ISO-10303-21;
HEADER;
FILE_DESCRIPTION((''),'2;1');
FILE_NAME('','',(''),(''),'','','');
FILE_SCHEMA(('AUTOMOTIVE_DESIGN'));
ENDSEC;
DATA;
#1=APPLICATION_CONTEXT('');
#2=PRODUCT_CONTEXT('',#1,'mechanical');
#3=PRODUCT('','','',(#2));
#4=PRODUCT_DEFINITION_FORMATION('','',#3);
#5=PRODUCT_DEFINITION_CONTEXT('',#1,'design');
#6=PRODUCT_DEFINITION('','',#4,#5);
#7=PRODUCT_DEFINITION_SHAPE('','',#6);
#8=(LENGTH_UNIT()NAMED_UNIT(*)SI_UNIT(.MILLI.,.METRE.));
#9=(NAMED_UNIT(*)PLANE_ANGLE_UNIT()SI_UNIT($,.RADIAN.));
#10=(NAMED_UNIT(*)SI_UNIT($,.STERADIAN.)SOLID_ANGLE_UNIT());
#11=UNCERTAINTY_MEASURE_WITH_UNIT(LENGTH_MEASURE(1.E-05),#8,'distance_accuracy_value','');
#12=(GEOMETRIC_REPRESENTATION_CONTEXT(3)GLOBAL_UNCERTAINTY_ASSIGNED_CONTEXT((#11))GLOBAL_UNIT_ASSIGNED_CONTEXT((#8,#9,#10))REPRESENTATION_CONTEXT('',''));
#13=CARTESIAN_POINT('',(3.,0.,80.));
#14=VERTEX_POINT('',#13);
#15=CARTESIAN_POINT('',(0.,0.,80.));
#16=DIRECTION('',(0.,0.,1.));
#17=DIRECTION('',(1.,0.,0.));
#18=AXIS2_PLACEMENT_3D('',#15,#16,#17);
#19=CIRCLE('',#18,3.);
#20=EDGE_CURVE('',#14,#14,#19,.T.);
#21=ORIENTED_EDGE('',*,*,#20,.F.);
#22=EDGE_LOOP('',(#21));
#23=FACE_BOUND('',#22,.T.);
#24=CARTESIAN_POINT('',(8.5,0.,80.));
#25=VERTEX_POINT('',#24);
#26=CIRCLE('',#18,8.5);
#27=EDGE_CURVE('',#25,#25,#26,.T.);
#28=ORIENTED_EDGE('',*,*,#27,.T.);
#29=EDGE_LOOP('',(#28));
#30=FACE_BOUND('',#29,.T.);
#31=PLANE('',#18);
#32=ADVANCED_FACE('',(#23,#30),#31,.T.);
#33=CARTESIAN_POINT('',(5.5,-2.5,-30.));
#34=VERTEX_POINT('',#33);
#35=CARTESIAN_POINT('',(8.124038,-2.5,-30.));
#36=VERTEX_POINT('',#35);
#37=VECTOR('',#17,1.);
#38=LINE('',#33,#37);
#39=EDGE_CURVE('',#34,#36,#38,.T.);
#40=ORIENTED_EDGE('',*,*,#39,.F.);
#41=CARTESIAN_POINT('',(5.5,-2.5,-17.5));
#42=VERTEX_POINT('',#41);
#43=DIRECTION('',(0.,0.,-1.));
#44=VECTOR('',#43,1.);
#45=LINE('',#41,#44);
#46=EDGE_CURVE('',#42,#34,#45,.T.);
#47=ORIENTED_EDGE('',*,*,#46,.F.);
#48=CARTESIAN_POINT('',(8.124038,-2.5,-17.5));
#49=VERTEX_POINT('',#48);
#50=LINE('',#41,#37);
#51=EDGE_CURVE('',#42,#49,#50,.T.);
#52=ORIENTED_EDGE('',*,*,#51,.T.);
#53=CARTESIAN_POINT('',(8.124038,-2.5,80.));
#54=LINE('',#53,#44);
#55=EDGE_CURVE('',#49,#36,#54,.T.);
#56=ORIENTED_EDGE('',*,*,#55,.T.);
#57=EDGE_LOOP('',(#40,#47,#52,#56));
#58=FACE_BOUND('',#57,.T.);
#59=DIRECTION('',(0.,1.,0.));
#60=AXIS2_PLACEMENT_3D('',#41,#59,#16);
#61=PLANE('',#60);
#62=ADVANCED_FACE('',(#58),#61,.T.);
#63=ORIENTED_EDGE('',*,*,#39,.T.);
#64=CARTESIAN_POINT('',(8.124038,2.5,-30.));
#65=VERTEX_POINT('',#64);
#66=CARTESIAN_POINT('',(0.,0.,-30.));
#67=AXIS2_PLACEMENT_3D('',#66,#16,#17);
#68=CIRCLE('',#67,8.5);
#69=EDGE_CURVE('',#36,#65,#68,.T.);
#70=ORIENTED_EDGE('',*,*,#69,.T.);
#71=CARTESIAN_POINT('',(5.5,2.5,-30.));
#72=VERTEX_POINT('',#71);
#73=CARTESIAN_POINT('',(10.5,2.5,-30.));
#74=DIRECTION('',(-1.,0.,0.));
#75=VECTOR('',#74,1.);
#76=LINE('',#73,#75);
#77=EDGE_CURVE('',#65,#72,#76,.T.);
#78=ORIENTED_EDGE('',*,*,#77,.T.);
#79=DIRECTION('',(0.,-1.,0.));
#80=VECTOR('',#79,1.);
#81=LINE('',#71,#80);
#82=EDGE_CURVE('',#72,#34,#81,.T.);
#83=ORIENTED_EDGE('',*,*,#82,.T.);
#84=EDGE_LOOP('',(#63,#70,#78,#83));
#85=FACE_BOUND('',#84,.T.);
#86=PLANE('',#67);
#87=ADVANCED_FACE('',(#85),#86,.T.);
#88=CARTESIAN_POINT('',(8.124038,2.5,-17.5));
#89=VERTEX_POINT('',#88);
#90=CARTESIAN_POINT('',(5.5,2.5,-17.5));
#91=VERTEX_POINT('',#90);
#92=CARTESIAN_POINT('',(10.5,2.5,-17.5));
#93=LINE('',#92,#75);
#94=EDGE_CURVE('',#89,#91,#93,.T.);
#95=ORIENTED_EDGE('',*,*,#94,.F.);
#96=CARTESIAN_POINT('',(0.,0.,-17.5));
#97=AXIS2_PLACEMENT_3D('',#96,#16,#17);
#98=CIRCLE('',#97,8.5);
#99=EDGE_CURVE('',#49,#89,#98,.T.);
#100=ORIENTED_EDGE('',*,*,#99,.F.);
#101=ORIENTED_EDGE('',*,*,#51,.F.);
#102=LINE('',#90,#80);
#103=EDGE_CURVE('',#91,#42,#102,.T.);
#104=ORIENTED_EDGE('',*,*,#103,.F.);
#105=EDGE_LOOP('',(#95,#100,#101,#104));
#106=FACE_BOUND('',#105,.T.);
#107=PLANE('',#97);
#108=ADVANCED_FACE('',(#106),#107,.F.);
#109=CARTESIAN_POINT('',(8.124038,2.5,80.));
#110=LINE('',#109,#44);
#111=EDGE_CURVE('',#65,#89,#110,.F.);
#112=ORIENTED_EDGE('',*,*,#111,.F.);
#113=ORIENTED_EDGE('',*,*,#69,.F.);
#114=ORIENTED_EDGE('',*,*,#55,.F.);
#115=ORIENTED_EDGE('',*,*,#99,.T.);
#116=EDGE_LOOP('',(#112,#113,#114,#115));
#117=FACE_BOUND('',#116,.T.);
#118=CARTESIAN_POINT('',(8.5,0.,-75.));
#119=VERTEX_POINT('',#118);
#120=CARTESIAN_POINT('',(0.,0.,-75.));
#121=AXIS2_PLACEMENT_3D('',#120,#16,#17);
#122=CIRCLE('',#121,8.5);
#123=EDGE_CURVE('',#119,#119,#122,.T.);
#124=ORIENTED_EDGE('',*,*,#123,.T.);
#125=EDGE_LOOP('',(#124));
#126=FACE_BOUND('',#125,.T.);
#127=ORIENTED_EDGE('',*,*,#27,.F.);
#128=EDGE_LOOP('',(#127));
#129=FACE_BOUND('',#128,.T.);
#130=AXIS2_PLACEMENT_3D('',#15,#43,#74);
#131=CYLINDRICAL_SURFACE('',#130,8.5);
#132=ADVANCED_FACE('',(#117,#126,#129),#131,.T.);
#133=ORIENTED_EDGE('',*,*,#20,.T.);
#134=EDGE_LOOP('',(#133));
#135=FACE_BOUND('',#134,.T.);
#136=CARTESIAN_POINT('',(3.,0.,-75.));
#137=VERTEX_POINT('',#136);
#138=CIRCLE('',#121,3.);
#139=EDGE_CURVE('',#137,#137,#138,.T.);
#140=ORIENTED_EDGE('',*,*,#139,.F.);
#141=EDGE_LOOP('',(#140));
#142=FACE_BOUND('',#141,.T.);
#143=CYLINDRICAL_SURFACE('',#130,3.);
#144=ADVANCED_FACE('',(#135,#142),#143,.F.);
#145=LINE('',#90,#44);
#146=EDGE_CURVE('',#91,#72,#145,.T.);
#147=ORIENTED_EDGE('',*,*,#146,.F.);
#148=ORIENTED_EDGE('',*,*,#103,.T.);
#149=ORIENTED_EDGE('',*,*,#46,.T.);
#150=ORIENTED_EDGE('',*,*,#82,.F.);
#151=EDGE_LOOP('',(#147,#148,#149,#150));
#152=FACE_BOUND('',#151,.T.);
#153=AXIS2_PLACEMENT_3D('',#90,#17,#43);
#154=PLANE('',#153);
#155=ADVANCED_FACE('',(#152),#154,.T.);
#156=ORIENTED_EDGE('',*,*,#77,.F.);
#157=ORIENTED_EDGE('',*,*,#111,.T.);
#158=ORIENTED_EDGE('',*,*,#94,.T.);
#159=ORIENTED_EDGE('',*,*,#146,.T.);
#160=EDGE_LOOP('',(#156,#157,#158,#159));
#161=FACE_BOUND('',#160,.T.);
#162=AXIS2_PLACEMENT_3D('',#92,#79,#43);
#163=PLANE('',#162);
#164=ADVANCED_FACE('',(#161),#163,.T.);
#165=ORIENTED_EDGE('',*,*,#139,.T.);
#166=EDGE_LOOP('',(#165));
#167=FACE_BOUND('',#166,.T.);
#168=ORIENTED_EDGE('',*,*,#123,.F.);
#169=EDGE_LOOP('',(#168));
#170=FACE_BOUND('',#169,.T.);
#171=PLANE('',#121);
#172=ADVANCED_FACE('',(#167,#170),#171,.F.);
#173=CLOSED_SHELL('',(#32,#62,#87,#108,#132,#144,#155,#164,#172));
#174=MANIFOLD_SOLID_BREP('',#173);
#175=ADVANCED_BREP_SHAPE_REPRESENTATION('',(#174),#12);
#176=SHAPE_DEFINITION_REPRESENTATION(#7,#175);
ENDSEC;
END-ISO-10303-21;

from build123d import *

# Parameters (mm, degrees)
AXLE_ENVELOPE_START = -75
SKETCH_1_R          = 8.5
SKETCH_1_R_2        = 3
AXLE_ENVELOPE_DEPTH = 155
AXLE_KEYWAY_START   = -30
SKETCH_2_W          = 5
SKETCH_2_H          = 5
AXLE_KEYWAY_DEPTH   = 12.5


with BuildPart() as part:
    # Эскиз1 → Axle_envelope (new body)
    with BuildSketch(Plane.XY.offset(AXLE_ENVELOPE_START)):
        Circle(SKETCH_1_R)
        Circle(SKETCH_1_R_2, mode=Mode.SUBTRACT)
    extrude(amount=AXLE_ENVELOPE_DEPTH)

    # Эскиз2 → Axle_keyway (cut)
    with BuildSketch(Plane.XY.offset(AXLE_KEYWAY_START)):
        with Locations((8, 0)):
            Rectangle(SKETCH_2_W, SKETCH_2_H)
    extrude(amount=AXLE_KEYWAY_DEPTH, mode=Mode.SUBTRACT)


solid = part.part
